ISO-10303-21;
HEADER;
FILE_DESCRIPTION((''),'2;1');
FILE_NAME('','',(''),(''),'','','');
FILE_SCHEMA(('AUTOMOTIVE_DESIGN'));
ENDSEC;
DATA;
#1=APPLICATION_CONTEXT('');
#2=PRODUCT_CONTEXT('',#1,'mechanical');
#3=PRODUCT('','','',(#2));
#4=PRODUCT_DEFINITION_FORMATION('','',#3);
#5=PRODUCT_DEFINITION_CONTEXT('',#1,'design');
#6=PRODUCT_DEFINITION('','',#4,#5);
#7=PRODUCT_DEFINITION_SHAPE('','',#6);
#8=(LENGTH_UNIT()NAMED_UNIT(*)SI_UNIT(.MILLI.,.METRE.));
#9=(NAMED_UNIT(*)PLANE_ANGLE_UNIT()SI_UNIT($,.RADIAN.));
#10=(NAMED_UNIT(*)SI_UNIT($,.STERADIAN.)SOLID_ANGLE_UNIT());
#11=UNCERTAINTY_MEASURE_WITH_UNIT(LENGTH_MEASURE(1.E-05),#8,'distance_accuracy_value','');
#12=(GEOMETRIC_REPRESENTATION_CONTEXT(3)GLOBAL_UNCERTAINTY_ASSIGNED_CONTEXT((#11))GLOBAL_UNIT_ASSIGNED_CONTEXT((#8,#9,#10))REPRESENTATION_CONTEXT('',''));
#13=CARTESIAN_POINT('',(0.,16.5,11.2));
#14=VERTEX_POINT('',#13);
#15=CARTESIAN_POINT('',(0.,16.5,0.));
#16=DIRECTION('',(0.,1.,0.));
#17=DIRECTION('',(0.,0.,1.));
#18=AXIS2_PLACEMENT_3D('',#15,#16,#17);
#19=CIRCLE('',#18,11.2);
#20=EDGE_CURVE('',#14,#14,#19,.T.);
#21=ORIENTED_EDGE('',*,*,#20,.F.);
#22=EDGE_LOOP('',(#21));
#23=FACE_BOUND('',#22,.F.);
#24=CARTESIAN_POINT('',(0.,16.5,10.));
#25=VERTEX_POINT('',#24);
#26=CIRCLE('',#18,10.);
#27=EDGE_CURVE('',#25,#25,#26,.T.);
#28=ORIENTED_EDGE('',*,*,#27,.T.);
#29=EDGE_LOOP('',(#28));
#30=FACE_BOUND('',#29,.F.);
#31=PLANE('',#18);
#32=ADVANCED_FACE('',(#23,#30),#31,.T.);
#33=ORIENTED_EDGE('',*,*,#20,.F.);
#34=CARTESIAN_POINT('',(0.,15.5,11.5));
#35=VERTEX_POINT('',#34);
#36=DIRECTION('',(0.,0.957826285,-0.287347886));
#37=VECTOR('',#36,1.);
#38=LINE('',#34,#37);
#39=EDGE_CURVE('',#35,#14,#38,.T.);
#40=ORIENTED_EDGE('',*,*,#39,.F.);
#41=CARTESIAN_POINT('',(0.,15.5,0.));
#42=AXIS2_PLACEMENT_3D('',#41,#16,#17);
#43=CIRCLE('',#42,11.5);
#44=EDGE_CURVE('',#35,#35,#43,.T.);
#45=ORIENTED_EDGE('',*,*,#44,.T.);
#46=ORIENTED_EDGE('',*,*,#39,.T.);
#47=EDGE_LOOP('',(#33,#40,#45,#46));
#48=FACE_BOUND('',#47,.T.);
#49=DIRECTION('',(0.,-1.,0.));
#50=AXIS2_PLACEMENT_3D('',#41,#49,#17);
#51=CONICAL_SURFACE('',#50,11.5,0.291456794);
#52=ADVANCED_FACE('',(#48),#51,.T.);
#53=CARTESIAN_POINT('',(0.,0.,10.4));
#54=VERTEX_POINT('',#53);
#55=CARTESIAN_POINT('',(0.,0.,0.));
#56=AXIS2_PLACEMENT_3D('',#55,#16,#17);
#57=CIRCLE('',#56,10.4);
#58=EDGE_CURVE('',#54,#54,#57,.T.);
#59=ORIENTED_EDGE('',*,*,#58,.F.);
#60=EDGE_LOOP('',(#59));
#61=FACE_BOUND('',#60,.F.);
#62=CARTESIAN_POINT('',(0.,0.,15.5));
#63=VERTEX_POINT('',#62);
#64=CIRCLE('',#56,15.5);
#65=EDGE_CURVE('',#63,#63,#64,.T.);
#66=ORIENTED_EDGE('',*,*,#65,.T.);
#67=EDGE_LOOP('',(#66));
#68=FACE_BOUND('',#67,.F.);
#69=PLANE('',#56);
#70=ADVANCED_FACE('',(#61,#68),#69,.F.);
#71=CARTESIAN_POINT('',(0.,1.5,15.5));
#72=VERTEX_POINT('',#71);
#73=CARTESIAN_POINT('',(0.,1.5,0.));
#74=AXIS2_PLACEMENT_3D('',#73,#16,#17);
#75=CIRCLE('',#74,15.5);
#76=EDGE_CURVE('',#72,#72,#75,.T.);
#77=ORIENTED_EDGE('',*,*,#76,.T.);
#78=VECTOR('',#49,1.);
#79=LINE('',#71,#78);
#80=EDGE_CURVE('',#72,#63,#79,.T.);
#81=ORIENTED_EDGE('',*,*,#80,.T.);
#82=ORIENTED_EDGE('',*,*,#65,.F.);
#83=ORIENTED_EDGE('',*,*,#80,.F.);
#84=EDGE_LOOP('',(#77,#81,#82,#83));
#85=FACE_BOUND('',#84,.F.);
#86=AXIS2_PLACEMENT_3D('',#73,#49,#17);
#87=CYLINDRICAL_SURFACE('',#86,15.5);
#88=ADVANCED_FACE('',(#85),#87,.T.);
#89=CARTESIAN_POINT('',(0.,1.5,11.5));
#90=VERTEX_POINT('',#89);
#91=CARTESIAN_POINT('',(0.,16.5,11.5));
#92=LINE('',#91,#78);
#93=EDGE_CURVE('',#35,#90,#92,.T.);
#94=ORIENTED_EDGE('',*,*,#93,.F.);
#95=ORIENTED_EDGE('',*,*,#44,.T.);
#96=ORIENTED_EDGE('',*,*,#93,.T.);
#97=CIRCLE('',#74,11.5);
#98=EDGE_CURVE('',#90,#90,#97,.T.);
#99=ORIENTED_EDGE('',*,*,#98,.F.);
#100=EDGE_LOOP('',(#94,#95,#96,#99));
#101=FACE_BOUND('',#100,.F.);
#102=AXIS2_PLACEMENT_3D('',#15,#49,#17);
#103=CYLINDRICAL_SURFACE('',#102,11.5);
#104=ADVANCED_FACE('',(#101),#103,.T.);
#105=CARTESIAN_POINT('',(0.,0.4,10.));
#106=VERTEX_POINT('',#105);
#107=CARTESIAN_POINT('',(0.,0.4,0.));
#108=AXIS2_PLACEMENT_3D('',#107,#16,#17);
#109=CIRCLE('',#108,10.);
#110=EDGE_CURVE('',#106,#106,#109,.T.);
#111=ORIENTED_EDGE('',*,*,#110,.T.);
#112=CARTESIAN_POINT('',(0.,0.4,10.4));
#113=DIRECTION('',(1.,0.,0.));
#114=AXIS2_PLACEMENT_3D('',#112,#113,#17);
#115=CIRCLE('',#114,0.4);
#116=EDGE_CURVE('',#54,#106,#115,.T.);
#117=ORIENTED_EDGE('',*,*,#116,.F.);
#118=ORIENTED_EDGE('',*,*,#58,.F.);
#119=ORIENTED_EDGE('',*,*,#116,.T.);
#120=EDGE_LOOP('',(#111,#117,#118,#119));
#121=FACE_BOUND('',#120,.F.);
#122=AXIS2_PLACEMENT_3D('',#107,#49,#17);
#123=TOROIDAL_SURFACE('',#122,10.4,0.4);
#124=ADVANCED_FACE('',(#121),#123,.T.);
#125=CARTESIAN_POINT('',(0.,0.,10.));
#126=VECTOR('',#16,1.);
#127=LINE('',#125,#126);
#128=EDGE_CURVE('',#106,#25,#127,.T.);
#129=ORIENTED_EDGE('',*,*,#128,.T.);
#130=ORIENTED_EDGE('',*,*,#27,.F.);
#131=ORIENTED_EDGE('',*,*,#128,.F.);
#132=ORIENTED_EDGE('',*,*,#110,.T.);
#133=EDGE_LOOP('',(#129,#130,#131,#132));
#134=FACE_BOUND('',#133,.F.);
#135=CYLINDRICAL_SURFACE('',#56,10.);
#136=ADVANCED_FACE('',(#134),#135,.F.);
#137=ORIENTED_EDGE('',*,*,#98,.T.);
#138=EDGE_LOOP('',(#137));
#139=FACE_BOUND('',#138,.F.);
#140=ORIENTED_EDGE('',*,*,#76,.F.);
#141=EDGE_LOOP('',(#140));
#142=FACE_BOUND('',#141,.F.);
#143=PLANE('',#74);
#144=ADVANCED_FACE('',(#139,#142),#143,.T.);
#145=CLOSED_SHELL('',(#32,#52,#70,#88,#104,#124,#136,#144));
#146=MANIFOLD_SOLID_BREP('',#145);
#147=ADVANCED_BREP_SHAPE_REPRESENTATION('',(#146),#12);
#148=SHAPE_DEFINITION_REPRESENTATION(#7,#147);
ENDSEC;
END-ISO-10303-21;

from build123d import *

# Parameters (mm, degrees)
F2_R     = 0.4
F3_SIZE2 = 0.3
F3_SIZE  = 1


with BuildPart() as f1:
    # F0 (on Right) → F1 (revolve)
    with BuildSketch(Plane.YZ):
        Polygon((1.5, 15.5), (0, 15.5), (0, 10), (16.5, 10), (16.5, 11.5), (1.5, 11.5), align=None)
    revolve(axis=Axis((0, 9.5578194596, 0), (0, 1, 0)))

    # F2
    f2_edges = [f1.edges().sort_by_distance(p)[0] for p in [
        (0, 0, -10),
    ]]
    fillet(f2_edges, radius=F2_R)

    # F3
    f3_edges = [f1.edges().sort_by_distance(p)[0] for p in [
        (0, 16.5, -11.5),
    ]]
    f3_side = f1.faces().sort_by_distance((0, 9, -11.5))[0]
    chamfer(f3_edges, length=F3_SIZE, length2=F3_SIZE2, reference=f3_side)


solid = f1.part
